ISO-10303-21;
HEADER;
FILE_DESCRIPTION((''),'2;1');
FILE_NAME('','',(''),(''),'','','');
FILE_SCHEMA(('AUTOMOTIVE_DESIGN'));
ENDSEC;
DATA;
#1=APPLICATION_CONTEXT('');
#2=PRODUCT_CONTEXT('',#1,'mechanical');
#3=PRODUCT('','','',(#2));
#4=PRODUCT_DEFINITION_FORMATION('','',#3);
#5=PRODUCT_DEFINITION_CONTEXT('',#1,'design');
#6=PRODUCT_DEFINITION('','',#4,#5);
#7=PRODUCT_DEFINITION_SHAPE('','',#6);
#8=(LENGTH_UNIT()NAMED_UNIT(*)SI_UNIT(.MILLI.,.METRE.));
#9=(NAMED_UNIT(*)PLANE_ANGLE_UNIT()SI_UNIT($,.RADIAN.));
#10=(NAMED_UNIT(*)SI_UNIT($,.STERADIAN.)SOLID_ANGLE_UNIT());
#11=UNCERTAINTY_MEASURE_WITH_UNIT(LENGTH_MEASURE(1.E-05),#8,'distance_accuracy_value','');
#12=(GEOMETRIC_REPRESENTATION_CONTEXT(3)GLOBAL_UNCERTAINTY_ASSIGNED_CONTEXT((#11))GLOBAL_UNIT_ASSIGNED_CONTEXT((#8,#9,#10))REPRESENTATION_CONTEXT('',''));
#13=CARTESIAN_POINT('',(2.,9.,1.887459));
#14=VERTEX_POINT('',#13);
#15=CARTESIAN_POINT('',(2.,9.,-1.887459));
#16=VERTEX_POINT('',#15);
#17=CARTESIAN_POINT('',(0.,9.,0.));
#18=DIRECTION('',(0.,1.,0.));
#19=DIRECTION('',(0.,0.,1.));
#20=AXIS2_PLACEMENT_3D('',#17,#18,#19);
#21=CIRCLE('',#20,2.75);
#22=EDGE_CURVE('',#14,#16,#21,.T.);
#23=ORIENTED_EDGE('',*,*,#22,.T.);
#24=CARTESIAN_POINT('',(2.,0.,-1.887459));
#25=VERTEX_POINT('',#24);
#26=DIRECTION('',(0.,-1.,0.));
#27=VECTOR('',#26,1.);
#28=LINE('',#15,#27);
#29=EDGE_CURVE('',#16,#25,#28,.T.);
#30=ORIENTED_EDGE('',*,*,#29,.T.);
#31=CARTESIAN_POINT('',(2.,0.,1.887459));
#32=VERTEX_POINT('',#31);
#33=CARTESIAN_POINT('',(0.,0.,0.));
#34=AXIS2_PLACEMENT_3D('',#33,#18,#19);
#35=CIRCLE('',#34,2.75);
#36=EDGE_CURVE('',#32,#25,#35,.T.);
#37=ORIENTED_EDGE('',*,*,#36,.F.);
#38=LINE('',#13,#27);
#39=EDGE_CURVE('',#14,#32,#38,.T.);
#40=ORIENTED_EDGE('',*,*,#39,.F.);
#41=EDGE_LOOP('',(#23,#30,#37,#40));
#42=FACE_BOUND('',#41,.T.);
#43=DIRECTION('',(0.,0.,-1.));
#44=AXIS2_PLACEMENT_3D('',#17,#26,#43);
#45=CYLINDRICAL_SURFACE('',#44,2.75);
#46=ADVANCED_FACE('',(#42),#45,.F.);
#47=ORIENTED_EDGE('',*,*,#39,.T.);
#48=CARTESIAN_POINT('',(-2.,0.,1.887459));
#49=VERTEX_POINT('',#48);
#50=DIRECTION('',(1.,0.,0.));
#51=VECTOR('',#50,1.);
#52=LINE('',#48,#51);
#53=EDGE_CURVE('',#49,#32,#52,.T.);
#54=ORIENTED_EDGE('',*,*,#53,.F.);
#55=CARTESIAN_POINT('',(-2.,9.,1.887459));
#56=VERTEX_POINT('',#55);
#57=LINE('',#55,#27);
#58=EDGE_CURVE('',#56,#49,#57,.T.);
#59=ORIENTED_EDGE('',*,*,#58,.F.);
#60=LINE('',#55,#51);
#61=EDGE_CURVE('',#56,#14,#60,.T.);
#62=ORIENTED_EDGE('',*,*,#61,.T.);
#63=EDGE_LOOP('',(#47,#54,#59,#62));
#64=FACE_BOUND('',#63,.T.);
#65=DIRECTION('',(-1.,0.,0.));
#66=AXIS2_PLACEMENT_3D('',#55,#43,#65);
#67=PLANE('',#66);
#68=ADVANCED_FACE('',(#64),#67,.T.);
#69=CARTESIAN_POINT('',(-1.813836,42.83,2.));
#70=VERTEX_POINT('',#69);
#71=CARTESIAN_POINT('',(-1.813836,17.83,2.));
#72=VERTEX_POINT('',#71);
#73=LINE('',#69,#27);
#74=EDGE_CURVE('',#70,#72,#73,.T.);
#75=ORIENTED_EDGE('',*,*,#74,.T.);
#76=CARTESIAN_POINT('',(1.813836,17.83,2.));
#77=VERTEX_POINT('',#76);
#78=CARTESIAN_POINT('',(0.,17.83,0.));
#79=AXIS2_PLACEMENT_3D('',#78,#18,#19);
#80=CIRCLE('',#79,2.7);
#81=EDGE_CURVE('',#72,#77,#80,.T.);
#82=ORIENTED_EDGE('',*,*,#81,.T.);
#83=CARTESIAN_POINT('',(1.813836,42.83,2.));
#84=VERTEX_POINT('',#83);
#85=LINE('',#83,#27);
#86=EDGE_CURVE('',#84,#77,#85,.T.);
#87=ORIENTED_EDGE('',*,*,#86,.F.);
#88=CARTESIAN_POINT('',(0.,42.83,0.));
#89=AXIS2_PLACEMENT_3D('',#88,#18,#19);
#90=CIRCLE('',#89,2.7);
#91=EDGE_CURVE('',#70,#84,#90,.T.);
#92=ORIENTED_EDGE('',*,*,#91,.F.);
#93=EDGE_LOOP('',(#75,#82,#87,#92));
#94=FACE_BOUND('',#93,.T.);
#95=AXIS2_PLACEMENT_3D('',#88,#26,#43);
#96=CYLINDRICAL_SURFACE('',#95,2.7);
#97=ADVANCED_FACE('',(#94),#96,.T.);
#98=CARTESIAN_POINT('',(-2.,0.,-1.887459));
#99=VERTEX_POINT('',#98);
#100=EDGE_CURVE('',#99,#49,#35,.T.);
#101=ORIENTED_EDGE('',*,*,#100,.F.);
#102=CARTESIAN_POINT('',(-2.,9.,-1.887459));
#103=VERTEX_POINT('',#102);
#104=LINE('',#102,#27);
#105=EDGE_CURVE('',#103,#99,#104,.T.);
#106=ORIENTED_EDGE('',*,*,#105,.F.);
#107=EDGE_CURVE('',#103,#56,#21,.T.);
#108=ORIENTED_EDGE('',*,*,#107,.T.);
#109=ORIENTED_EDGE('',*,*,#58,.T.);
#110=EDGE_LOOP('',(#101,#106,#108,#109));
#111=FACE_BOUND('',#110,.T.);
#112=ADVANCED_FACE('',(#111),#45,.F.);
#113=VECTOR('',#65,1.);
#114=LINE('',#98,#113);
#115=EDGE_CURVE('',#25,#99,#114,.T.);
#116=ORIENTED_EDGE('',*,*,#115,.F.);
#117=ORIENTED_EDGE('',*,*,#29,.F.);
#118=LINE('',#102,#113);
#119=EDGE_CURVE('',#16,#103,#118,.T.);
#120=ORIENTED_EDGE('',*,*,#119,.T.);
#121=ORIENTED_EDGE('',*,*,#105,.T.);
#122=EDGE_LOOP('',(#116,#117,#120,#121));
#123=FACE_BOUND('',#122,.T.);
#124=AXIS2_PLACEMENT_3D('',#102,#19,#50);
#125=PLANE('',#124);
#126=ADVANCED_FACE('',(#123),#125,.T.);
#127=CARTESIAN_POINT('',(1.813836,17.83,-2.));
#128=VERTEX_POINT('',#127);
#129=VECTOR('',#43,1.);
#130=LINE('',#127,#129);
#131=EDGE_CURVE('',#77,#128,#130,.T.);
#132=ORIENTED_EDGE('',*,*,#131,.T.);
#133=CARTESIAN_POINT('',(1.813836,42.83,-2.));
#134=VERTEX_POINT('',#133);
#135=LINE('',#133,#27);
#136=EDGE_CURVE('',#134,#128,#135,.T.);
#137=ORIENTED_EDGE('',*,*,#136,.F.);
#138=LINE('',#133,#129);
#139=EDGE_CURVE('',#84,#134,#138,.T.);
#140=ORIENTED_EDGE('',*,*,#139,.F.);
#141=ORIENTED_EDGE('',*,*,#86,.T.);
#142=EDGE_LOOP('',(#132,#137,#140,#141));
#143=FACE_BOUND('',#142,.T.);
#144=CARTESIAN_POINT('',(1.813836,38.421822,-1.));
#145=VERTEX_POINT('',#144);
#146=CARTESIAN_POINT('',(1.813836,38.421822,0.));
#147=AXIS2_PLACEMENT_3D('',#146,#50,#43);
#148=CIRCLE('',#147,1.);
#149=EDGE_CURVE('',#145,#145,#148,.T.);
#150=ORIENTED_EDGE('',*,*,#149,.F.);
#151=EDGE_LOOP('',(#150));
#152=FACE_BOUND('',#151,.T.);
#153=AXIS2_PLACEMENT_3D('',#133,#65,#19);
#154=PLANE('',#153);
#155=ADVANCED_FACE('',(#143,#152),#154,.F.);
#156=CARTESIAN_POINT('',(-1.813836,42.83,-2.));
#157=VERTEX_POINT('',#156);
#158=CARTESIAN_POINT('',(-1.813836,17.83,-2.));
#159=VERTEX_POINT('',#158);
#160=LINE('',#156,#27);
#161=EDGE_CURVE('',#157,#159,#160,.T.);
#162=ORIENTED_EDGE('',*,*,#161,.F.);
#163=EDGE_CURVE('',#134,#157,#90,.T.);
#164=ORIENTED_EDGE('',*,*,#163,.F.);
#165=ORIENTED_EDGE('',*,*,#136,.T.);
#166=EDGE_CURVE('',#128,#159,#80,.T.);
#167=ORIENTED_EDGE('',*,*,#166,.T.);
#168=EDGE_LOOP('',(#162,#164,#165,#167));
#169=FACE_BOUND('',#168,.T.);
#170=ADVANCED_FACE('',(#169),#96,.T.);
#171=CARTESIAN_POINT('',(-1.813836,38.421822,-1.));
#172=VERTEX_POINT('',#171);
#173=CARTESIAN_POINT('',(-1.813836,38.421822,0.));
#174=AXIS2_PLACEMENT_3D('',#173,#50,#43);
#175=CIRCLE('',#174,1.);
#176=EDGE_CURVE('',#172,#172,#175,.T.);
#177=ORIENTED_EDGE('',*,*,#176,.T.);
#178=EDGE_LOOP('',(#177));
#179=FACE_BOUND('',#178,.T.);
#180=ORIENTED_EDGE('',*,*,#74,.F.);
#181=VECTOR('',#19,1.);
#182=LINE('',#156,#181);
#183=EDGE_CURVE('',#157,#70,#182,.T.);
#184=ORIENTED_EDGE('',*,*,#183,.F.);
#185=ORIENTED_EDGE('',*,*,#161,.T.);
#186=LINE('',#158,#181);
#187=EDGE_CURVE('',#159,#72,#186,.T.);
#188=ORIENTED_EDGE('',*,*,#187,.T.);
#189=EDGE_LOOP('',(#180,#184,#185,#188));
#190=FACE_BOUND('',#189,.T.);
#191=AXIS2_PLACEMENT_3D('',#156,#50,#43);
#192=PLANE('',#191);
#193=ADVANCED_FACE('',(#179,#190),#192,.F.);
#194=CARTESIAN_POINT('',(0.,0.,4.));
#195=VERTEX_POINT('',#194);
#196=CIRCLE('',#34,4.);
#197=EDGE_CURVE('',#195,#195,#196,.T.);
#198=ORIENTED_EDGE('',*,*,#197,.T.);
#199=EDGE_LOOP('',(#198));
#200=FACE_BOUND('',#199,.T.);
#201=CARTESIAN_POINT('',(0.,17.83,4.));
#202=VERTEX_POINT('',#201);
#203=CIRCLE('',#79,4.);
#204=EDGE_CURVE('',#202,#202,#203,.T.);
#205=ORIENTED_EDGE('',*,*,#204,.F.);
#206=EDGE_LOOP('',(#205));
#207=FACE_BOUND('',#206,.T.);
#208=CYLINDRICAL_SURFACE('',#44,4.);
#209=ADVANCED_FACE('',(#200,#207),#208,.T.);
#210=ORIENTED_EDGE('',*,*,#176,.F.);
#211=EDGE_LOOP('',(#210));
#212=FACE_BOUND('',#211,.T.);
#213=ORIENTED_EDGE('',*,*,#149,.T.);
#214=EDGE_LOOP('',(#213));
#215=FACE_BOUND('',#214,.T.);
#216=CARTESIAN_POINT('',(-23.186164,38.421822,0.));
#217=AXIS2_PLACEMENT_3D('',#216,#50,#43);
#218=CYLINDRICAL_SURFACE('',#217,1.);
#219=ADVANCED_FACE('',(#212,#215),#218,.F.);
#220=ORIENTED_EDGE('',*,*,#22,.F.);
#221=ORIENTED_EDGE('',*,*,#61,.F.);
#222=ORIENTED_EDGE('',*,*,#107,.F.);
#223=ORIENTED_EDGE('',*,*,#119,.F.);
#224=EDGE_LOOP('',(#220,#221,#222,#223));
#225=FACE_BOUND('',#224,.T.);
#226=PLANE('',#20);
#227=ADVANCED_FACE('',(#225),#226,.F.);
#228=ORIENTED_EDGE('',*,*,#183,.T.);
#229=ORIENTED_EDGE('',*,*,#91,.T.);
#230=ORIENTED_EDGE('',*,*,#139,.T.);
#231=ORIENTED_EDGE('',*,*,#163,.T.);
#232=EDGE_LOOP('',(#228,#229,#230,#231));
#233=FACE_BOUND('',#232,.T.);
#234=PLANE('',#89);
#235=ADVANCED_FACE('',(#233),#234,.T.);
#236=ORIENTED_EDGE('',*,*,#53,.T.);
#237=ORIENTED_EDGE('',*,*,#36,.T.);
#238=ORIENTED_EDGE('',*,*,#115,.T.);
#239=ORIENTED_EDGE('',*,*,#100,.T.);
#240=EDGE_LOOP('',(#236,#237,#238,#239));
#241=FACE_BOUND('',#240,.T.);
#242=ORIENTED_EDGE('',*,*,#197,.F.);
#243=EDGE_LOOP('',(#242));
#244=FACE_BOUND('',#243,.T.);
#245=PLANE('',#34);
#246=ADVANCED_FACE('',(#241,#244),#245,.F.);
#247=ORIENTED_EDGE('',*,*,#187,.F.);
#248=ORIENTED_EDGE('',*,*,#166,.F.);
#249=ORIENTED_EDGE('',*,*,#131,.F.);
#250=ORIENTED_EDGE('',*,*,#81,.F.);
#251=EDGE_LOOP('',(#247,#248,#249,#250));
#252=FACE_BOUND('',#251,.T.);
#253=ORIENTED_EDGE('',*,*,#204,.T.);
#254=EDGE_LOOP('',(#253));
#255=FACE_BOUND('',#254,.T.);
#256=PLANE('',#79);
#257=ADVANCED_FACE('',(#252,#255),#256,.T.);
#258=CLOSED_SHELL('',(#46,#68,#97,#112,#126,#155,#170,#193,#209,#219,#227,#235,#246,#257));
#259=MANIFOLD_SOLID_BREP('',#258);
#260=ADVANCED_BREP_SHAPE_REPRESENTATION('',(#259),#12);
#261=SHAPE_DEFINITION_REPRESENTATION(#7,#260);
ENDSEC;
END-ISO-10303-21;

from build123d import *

# Parameters (mm, degrees)
SKETCH1_R           = 4
BOSS_EXTRUDE1_DEPTH = 9
SKETCH2_R           = 4
BOSS_EXTRUDE2_DEPTH = 8.83
BOSS_EXTRUDE3_DEPTH = 25
SKETCH4_R           = 1
CUT_EXTRUDE1_DEPTH  = 25


with BuildPart() as part:
    # Sketch1 → Boss-Extrude1 (new body)
    with BuildSketch(Plane(origin=(0, 0, 0), x_dir=(1, 0, 0), z_dir=(0, 1, 0))):
        Circle(SKETCH1_R)
        with BuildLine():
            Line((-2, 1.887458609), (2, 1.887458609))
            ThreePointArc((2, 1.887458609), (2.75, 0), (2, -1.887458609))
            Line((2, -1.887458609), (-2, -1.887458609))
            ThreePointArc((-2, -1.887458609), (-2.75, 0), (-2, 1.887458609))
        make_face(mode=Mode.SUBTRACT)
    extrude(amount=BOSS_EXTRUDE1_DEPTH)

    # Sketch2 → Boss-Extrude2 (add)
    with BuildSketch(Plane(origin=(0, 9, 0), x_dir=(1, 0, 0), z_dir=(0, 1, 0))):
        Circle(SKETCH2_R)
    extrude(amount=BOSS_EXTRUDE2_DEPTH)

    # Sketch3 → Boss-Extrude3 (add)
    with BuildSketch(Plane(origin=(0, 17.83, 0), x_dir=(1, 0, 0), z_dir=(0, 1, 0))):
        with BuildLine():
            Line((1.813835715, 2), (1.813835715, -2))
            ThreePointArc((1.813835715, -2), (0, -2.7), (-1.813835715, -2))
            Line((-1.813835715, -2), (-1.813835715, 2))
            ThreePointArc((-1.813835715, 2), (0, 2.7), (1.813835715, 2))
        make_face()
    extrude(amount=BOSS_EXTRUDE3_DEPTH)

    # Sketch4 → Cut-Extrude1 (cut)
    with BuildSketch(Plane(origin=(1.813835715, 0, 0), x_dir=(0, 0, -1), z_dir=(1, 0, 0))):
        with Locations((0, 38.421822436)):
            Circle(SKETCH4_R)
    extrude(amount=-CUT_EXTRUDE1_DEPTH, mode=Mode.SUBTRACT)


solid = part.part
